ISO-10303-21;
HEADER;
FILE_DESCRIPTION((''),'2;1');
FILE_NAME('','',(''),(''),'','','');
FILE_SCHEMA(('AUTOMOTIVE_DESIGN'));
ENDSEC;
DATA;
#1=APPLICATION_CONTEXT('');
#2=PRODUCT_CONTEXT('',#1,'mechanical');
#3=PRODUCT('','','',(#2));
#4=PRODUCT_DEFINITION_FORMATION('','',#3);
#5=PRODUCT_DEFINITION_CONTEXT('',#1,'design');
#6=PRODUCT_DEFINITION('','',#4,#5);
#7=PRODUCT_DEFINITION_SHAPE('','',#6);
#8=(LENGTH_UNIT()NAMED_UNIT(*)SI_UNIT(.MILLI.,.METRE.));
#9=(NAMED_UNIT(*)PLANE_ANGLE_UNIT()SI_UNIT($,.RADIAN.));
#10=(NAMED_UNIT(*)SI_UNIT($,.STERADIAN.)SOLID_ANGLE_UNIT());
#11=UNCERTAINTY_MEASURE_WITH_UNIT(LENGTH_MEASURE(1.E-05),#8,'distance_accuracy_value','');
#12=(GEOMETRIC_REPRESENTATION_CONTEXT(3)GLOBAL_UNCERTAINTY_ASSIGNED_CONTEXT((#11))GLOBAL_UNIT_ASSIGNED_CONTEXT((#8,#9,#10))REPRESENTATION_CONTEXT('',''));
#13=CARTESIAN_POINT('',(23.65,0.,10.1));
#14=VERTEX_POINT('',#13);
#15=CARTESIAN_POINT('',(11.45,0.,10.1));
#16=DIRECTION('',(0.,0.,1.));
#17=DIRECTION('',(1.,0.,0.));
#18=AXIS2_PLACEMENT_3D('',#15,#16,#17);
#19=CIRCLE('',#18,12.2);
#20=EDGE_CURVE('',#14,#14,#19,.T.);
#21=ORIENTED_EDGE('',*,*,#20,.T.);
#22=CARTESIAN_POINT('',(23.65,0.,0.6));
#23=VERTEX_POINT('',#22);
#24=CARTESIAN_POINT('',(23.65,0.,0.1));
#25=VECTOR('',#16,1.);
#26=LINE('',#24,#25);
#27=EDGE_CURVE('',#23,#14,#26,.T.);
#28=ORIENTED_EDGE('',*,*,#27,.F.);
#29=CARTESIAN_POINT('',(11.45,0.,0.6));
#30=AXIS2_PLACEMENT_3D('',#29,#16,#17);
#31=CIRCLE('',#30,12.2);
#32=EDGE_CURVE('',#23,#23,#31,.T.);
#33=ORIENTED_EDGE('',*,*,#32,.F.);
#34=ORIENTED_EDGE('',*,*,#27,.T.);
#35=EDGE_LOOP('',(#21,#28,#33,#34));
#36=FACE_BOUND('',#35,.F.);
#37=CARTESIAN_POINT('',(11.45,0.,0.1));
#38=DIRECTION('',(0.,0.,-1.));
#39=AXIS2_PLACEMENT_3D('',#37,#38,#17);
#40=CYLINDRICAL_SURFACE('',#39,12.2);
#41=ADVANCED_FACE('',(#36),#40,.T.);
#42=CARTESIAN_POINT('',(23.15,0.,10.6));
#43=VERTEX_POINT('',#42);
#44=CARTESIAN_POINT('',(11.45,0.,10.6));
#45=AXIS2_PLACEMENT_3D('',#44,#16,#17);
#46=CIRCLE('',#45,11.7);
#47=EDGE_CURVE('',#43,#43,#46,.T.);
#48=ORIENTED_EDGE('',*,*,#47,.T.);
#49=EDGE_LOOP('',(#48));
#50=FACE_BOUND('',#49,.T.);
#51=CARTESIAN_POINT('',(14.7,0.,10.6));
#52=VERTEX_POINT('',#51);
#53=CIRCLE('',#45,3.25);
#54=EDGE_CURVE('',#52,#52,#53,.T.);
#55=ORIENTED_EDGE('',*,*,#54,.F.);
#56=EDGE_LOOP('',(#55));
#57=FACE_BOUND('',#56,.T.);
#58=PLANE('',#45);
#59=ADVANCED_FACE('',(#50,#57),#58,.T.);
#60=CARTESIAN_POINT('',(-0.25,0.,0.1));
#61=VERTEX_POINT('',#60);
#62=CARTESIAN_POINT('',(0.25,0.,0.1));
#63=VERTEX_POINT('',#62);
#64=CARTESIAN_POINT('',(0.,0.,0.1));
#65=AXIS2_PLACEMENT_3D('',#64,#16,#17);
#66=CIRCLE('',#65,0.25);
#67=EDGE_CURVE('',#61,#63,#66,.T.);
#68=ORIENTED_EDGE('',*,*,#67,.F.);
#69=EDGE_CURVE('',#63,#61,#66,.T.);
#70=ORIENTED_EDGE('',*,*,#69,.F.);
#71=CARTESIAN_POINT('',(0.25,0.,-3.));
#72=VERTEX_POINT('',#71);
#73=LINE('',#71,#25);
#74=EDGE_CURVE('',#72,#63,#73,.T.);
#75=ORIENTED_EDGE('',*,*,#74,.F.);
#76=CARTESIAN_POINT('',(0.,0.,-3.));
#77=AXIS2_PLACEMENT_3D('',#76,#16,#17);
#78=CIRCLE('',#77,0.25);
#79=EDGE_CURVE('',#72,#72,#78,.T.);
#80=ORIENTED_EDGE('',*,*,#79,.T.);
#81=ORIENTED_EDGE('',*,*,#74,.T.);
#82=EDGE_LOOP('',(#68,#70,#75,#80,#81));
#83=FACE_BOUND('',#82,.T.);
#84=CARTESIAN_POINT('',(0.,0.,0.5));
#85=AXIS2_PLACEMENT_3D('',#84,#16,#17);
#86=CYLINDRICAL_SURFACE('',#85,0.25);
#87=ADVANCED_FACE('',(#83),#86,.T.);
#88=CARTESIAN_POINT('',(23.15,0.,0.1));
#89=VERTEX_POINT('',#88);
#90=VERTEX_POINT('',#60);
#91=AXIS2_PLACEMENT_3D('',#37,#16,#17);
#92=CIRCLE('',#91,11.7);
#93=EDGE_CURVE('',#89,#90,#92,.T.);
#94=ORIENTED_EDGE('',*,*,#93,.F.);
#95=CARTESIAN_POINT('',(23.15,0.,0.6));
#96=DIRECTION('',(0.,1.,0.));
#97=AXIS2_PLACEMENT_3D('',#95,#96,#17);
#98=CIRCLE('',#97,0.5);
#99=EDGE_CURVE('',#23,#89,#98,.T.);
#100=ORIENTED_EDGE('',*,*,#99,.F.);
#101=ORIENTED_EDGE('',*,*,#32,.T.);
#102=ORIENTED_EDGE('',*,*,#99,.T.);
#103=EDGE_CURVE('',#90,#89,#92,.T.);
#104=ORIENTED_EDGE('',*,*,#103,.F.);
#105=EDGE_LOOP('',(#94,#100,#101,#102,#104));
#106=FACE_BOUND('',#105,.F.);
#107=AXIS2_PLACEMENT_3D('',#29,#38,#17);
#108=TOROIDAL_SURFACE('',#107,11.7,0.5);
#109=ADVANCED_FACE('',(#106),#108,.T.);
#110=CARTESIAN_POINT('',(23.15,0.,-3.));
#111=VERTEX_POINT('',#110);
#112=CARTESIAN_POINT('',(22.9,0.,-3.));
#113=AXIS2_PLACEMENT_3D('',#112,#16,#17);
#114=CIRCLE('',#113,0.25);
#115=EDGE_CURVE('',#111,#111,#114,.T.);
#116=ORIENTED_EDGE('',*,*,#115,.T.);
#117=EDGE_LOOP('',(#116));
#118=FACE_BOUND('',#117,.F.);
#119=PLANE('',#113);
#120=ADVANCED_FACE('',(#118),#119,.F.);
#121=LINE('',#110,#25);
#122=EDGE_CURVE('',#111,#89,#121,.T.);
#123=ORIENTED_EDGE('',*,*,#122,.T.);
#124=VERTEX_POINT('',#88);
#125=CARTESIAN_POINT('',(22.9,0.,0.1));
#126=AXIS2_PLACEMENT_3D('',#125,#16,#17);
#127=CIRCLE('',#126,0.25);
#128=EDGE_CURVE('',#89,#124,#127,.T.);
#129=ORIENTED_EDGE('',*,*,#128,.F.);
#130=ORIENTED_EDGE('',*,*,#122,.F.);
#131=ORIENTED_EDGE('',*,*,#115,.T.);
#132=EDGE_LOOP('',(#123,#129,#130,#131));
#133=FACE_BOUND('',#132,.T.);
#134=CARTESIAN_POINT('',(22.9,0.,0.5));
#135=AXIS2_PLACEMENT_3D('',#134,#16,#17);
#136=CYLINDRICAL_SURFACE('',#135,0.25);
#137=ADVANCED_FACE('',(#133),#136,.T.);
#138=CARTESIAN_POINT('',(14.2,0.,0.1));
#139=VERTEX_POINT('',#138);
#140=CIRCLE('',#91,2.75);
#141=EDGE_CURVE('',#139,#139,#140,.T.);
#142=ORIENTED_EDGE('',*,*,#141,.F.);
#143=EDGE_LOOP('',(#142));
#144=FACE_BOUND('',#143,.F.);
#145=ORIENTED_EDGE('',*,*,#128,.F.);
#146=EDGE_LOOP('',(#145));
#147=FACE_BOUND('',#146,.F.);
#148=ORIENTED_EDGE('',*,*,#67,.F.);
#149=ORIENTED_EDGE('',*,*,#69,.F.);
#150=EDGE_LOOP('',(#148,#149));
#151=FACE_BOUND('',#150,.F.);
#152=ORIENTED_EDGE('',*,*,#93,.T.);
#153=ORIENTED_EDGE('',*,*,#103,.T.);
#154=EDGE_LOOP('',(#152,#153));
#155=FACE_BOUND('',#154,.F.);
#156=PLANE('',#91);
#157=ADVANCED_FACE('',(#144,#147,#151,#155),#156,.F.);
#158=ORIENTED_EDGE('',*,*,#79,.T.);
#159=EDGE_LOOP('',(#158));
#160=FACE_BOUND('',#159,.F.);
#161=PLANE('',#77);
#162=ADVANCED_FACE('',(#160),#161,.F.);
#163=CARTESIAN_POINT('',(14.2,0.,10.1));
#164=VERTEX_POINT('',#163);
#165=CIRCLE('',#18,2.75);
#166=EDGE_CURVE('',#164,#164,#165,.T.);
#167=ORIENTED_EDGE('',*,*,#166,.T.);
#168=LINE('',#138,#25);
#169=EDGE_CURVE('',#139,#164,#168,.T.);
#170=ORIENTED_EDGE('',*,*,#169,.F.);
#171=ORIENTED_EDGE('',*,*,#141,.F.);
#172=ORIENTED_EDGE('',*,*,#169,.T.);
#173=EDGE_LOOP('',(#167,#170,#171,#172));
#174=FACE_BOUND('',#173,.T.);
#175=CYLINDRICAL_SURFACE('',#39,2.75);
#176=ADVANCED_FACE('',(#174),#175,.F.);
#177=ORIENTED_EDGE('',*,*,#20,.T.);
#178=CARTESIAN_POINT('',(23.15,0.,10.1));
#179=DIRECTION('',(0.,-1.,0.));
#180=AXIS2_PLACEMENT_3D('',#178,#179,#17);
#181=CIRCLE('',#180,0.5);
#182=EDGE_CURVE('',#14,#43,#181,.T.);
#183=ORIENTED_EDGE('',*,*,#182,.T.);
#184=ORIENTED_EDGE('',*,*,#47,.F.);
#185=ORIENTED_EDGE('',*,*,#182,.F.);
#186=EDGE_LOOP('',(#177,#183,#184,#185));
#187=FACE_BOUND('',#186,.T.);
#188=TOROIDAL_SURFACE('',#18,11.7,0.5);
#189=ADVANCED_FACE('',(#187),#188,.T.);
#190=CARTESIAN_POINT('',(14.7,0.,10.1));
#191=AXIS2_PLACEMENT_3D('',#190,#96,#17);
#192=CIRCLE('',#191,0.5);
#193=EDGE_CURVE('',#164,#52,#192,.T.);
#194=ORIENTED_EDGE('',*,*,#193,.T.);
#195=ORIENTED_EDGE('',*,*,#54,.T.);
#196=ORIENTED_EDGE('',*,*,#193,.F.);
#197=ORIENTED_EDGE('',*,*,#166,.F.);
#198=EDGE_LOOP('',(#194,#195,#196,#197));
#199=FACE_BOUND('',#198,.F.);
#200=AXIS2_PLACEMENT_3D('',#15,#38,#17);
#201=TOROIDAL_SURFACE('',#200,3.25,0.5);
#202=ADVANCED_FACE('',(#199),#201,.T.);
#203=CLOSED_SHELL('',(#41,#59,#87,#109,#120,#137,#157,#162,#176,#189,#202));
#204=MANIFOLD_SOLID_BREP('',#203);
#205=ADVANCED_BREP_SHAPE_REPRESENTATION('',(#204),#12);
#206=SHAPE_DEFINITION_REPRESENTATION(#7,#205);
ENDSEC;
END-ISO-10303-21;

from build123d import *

# Parameters (mm, degrees)
SKETCH001_R       = 0.25
PAD001_DEPTH      = 5.25
PAD001_DEPTH_BACK = 3.5
SKETCH_R          = 12.2
SKETCH_R_2        = 2.75
PAD_DEPTH         = 10.5
FILLET_R          = 0.5


with BuildPart() as pad001:
    # Sketch001 → Pad001 (new body, two sides)
    with BuildSketch(Plane.XY.offset(0.5)) as pad001_sk:
        Circle(SKETCH001_R)
        with Locations((22.9, 0)):
            Circle(SKETCH001_R)
    extrude(amount=PAD001_DEPTH)
    extrude(pad001_sk.sketch, amount=-PAD001_DEPTH_BACK)


with BuildPart() as fillet_mp_cp:
    # Sketch → Pad (new body)
    with BuildSketch(Plane.XY.offset(0.1)):
        with Locations((11.45, 0)):
            Circle(SKETCH_R)
        with Locations((11.45, 0)):
            Circle(SKETCH_R_2, mode=Mode.SUBTRACT)
    extrude(amount=PAD_DEPTH)

    # Fillet
    fillet_edges = [fillet_mp_cp.edges().sort_by_distance(p)[0] for p in [
        (8.7, 0, 10.6),
        (-0.75, 0, 10.6),
        (-0.75, 0, 0.1),
    ]]
    fillet(fillet_edges, radius=FILLET_R)

    # Fillet_mp_cp: union Pad001
    add(pad001.part)


solid = fillet_mp_cp.part
